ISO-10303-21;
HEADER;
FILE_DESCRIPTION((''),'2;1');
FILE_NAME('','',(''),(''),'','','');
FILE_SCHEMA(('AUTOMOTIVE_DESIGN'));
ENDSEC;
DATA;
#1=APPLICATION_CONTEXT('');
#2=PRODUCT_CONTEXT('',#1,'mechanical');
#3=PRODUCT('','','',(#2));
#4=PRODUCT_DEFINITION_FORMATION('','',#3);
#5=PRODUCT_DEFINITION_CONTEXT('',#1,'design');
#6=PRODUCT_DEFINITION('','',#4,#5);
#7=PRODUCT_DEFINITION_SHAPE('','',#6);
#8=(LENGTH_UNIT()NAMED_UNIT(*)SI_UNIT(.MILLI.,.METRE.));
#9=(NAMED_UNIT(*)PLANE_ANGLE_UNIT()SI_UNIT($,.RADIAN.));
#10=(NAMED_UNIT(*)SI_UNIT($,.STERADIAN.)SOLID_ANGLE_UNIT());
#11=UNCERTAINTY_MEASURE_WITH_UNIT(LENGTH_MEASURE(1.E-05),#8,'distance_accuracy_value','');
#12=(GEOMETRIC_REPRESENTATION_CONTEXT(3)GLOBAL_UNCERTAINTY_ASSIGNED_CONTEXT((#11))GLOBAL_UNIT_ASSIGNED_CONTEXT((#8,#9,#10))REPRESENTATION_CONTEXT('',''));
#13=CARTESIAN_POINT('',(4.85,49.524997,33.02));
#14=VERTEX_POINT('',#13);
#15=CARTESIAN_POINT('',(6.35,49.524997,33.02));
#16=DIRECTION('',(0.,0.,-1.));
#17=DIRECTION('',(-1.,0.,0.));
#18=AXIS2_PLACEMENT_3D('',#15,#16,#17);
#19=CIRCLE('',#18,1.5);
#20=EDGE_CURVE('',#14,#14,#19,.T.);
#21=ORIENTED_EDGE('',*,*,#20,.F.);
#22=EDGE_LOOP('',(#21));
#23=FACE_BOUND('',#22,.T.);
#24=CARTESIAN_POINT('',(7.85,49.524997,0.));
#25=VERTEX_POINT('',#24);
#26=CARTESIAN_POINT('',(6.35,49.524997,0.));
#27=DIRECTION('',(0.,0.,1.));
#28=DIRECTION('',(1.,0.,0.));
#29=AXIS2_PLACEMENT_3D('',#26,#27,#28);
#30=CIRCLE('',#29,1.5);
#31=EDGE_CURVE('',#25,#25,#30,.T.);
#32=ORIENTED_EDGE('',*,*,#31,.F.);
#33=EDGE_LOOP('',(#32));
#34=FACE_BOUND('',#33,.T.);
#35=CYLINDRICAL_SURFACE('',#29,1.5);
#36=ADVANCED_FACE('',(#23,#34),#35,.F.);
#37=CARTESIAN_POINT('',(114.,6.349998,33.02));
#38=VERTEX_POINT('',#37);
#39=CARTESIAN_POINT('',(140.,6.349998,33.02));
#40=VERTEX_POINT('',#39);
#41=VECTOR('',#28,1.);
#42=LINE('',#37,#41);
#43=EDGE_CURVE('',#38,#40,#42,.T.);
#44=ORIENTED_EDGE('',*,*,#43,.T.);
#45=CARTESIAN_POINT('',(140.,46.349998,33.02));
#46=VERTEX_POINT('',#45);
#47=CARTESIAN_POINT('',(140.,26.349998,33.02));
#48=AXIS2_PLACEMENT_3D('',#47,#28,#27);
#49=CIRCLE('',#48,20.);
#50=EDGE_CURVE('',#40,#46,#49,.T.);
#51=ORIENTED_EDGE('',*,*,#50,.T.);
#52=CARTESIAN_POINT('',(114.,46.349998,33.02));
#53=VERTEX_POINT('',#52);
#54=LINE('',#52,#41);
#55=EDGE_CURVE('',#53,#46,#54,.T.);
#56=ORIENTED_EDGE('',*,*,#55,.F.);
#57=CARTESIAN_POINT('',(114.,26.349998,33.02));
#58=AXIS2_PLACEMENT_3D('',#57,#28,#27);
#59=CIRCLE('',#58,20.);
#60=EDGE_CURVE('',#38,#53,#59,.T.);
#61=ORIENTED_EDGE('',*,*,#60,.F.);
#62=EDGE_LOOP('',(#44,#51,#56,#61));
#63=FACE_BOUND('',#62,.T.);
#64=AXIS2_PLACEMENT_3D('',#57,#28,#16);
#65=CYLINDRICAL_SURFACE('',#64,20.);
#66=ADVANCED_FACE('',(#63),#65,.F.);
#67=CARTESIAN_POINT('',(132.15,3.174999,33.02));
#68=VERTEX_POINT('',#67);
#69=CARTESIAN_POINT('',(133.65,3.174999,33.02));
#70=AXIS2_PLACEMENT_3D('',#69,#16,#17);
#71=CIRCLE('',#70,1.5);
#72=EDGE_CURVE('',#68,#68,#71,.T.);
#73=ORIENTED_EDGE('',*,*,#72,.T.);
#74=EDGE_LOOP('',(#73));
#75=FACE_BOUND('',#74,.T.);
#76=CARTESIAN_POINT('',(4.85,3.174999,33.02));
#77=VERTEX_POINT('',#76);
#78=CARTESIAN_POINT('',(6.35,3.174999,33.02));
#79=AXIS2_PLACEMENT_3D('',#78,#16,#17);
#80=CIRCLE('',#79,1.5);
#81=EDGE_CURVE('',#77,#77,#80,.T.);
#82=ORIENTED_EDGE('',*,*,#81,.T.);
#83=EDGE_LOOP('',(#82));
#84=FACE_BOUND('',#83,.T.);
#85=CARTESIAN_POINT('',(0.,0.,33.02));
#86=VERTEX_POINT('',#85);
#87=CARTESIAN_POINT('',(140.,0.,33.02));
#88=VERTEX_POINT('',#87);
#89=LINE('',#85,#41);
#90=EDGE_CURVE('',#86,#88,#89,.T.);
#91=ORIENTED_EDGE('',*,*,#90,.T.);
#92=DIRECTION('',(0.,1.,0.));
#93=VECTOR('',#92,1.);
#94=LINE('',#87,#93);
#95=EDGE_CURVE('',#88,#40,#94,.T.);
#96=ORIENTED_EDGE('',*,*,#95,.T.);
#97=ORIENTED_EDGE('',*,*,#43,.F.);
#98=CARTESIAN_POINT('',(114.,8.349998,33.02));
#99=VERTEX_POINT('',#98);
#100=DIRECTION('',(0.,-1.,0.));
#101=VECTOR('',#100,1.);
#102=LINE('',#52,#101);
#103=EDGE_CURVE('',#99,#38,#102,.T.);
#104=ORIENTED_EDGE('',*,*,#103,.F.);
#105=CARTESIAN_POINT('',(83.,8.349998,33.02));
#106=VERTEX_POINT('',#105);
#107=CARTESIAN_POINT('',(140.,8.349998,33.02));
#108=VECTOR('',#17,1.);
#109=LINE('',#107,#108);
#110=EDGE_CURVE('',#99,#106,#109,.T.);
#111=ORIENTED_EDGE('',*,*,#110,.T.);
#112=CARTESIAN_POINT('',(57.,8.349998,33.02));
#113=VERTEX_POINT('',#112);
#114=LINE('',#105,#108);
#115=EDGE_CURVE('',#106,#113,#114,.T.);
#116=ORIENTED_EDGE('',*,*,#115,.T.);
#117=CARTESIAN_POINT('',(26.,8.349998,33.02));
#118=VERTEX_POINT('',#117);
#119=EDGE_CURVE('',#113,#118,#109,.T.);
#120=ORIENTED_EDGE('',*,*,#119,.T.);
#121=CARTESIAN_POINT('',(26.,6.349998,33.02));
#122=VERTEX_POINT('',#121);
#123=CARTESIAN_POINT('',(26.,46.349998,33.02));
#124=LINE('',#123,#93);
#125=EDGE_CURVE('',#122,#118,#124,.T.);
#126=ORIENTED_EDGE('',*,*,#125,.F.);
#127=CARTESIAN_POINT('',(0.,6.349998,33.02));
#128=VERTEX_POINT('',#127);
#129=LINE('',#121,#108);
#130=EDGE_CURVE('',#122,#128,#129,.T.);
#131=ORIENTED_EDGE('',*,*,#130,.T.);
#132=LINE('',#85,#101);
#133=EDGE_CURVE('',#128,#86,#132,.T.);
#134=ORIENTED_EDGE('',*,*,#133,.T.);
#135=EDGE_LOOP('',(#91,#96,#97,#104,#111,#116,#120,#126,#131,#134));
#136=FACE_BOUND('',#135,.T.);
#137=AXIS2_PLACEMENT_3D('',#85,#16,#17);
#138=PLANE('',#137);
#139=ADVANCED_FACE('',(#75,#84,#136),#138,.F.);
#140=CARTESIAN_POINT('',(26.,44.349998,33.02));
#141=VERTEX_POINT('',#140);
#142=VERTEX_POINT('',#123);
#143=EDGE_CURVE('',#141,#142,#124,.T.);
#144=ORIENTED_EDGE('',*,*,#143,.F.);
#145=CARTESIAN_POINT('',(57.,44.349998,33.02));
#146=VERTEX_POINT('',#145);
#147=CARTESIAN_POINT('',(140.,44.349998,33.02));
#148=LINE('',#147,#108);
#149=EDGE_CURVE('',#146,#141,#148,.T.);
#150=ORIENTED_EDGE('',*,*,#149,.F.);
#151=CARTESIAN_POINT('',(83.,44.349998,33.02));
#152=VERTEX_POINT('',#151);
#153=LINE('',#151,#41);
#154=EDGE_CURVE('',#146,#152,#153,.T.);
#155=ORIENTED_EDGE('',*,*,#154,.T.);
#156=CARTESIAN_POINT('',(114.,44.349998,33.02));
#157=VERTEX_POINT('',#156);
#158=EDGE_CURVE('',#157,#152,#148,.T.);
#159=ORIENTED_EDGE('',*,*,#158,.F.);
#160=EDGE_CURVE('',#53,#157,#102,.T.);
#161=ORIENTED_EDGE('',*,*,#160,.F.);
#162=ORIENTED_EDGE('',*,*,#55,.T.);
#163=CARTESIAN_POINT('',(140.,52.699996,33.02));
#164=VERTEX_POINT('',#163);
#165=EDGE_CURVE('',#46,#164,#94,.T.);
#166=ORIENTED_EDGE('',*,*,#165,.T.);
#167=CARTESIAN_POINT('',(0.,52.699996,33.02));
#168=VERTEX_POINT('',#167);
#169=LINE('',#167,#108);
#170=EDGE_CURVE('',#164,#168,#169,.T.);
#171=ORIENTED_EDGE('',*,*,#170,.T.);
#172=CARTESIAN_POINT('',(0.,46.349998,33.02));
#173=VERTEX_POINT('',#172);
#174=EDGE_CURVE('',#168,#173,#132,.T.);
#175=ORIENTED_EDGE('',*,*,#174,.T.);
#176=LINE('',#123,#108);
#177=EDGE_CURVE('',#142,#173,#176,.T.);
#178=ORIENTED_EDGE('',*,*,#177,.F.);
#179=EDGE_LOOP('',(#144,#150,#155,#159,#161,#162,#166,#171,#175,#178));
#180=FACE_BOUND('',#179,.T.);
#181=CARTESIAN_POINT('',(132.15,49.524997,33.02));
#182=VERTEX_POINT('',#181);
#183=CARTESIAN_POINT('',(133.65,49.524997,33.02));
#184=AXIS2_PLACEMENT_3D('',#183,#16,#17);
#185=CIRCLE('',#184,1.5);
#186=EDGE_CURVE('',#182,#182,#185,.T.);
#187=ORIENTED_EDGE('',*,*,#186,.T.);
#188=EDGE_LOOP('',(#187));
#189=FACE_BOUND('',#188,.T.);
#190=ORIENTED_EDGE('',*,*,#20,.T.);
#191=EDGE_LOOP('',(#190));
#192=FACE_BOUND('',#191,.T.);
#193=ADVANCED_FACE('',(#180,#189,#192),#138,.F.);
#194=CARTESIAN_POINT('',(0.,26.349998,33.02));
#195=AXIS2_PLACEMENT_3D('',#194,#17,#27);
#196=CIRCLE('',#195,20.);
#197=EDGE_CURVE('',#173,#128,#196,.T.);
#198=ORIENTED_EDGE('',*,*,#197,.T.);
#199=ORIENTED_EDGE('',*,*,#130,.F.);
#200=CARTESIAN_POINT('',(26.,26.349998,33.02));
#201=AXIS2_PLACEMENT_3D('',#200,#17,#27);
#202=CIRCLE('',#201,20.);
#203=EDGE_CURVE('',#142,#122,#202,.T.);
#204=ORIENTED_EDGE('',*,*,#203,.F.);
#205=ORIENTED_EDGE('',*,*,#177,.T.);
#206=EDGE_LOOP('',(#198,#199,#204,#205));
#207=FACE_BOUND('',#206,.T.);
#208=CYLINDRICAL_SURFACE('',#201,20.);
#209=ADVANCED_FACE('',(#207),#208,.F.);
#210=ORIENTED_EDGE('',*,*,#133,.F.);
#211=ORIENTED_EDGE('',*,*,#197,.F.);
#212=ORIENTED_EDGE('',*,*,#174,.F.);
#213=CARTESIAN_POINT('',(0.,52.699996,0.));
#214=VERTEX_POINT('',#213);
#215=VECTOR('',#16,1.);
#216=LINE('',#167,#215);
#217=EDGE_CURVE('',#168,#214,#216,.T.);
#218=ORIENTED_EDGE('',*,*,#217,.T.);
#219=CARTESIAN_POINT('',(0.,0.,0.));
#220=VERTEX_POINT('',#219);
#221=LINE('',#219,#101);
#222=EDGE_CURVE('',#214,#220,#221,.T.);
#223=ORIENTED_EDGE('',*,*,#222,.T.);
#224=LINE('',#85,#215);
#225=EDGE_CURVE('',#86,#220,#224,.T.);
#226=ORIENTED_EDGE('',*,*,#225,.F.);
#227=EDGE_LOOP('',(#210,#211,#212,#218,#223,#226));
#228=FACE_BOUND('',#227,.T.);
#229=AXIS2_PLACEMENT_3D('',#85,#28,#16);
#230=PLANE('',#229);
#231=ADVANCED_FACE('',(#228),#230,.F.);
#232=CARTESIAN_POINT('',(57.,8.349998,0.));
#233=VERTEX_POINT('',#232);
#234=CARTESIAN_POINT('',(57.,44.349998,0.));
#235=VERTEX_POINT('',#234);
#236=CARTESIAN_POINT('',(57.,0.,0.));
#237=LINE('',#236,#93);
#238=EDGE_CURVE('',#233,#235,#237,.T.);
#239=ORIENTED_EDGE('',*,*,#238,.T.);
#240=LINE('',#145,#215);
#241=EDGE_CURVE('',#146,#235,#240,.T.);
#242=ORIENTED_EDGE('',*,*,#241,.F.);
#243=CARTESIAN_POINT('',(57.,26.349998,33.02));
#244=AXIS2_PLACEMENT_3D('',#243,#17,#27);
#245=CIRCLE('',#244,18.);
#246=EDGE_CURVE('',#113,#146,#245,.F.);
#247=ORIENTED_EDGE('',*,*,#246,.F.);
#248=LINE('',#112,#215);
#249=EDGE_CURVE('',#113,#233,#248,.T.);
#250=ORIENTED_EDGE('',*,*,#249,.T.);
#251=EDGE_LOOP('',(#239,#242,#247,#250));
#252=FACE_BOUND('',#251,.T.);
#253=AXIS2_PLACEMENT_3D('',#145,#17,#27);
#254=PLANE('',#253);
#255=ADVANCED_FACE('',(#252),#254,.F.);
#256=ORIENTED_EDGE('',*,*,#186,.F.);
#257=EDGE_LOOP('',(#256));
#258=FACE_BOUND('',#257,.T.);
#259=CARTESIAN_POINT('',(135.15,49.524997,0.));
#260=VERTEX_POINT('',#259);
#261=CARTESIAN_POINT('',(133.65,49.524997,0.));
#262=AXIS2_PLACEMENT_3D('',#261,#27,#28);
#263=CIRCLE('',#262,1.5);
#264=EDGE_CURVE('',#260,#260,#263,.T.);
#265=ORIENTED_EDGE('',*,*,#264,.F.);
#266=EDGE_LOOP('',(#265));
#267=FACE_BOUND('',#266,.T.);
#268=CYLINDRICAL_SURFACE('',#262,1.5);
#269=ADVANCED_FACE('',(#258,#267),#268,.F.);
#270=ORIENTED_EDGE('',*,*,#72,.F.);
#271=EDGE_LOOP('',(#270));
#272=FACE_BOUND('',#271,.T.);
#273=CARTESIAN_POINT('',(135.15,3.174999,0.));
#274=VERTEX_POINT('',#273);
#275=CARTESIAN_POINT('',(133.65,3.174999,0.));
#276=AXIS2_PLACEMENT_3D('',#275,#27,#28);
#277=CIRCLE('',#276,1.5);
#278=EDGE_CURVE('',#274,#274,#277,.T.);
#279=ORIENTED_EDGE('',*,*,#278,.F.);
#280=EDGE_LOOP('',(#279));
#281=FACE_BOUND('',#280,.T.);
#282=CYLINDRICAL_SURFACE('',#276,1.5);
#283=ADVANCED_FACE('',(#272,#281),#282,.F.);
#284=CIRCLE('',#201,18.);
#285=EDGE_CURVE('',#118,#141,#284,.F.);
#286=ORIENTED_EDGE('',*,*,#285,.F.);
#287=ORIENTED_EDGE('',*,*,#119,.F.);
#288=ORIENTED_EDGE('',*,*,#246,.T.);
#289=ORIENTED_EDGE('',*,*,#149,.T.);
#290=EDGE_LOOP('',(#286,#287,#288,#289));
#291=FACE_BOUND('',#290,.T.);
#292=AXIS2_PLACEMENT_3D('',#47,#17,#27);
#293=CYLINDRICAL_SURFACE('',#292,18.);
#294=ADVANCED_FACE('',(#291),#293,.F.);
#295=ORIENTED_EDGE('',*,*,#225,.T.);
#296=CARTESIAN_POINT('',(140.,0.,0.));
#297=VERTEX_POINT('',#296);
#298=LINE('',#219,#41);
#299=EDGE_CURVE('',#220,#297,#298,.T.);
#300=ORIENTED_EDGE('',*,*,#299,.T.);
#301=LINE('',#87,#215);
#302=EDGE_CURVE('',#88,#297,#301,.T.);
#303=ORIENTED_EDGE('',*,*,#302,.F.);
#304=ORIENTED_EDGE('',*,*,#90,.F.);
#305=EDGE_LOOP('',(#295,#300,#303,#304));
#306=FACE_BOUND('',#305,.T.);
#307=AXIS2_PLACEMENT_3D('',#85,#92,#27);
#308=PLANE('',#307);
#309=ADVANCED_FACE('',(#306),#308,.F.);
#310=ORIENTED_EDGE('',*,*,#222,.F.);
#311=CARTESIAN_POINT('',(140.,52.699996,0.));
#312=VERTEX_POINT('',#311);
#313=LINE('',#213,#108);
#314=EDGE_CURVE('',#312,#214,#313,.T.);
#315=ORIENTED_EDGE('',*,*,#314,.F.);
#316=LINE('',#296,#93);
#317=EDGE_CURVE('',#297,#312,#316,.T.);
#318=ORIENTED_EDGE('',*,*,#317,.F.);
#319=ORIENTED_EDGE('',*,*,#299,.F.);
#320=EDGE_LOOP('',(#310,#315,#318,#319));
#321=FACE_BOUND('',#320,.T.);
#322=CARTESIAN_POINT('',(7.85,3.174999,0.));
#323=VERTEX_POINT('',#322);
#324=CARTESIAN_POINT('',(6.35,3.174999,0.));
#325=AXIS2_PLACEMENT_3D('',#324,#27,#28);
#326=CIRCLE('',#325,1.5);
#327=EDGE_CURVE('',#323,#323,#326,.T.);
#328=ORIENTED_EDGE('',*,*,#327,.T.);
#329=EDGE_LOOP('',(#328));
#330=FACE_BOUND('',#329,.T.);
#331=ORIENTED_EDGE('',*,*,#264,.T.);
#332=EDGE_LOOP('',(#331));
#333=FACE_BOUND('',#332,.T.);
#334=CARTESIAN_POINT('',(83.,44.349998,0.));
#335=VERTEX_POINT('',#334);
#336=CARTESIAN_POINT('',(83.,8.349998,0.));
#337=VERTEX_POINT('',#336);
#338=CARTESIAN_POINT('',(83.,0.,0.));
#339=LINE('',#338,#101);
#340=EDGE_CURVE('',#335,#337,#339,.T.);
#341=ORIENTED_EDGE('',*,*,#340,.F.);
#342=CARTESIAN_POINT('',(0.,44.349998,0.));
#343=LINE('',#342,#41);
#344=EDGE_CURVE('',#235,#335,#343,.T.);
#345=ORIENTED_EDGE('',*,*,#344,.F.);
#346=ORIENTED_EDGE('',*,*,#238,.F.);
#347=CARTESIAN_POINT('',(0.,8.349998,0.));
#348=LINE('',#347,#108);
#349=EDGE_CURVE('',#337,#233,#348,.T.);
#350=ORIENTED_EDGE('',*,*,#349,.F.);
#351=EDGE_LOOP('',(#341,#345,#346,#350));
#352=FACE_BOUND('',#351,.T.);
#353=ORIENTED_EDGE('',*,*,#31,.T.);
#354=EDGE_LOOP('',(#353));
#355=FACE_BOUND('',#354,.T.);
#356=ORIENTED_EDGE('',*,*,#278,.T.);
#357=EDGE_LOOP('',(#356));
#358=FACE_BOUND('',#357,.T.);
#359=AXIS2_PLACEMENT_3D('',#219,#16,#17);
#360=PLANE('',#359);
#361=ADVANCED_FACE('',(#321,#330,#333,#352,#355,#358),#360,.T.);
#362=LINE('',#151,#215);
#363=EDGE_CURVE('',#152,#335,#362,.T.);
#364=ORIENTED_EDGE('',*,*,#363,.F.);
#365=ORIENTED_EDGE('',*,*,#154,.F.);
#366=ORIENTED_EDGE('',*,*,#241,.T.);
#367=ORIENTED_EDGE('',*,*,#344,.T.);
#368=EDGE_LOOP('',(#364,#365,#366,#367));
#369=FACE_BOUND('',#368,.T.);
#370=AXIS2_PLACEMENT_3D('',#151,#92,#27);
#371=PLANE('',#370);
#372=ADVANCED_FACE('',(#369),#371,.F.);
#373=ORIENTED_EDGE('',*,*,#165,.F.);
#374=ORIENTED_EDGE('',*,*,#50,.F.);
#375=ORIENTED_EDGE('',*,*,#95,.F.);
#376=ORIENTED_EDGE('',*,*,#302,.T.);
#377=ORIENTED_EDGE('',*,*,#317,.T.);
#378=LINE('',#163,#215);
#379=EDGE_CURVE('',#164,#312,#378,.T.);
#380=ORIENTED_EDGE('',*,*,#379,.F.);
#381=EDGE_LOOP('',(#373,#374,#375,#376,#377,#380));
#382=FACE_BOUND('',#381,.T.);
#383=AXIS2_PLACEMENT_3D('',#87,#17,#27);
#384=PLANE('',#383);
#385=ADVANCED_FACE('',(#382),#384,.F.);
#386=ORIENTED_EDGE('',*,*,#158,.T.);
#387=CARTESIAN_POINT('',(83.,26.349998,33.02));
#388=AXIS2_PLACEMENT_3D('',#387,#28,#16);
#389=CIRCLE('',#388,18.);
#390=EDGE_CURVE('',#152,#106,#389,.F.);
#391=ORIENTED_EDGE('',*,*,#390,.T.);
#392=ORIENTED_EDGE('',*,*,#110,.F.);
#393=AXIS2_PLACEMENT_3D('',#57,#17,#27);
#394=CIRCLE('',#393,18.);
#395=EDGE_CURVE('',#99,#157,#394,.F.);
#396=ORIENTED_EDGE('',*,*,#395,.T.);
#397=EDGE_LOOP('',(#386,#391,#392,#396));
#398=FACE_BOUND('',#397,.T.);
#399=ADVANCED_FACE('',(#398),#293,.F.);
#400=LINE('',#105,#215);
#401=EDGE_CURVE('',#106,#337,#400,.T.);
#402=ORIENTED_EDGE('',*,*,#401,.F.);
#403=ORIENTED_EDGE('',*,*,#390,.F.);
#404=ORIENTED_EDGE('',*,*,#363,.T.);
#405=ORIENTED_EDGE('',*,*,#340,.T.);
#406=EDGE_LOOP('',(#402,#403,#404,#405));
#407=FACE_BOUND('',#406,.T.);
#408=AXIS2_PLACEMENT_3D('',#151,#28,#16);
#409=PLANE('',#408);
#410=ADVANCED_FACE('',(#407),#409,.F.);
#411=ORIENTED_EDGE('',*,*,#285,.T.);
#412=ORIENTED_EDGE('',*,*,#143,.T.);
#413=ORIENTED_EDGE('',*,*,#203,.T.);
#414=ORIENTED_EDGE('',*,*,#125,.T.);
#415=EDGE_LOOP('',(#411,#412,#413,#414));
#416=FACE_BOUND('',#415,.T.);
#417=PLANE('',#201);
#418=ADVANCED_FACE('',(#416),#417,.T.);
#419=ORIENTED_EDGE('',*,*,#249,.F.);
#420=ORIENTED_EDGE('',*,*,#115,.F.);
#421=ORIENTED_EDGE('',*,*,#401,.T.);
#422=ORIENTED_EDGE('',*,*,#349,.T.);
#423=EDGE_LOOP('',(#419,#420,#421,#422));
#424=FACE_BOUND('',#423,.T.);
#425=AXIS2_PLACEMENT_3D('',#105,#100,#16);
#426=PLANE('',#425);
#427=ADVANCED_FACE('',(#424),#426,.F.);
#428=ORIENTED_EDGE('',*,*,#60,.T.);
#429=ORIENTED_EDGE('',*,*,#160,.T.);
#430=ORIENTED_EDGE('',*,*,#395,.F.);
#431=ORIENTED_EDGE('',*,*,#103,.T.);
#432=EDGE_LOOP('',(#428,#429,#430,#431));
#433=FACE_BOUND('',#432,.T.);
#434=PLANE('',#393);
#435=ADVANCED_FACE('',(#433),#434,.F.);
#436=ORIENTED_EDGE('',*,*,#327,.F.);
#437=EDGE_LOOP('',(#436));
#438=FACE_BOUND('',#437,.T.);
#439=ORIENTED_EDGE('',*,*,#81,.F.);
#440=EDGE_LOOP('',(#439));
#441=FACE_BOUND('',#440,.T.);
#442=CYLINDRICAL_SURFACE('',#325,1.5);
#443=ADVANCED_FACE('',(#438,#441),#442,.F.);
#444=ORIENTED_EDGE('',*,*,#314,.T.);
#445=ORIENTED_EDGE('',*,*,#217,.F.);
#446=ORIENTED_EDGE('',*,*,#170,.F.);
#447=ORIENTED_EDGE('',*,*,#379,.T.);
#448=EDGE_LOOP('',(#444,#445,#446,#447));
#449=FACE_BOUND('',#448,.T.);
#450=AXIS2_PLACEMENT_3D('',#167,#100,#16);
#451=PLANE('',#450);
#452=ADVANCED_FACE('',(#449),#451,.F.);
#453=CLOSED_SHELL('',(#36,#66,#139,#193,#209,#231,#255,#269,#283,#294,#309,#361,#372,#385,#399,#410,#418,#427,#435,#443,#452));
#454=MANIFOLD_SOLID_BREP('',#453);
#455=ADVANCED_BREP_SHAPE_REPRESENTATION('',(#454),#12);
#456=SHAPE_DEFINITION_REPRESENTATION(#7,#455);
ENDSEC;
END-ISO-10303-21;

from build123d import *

# Parameters (mm, degrees)
SKETCH1_W               = 139.999999908
SKETCH1_H               = 52.6999962
BOSS_EXTRUDE1_DEPTH     = 33.02
CUT_EXTRUDE1_DEPTH      = 154.191416123
CUT_EXTRUDE1_DEPTH_BACK = 154.191416123
CUT_EXTRUDE2_DEPTH      = 26
CUT_EXTRUDE3_START      = -26
CUT_EXTRUDE3_DEPTH      = 26
CUT_EXTRUDE4_DEPTH      = 154.191416123
CUT_EXTRUDE4_DEPTH_BACK = 154.191416123
SKETCH6_W               = 26
SKETCH6_H               = 36
CUT_EXTRUDE5_DEPTH      = 154.191416123
CUT_EXTRUDE5_DEPTH_BACK = 154.191416123
SKETCH7_R               = 1.500000048
SKETCH7_R_2             = 1.5


with BuildPart() as part:
    # Sketch1 → Boss-Extrude1 (new body)
    with BuildSketch(Plane.XY):
        with Locations((69.999999954, 26.3499981)):
            Rectangle(SKETCH1_W, SKETCH1_H)
    extrude(amount=BOSS_EXTRUDE1_DEPTH)

    # Sketch2 → Cut-Extrude1 (cut, two sides: drawn at the far end of the back side and taken through both)
    with BuildSketch(Plane.ZY.offset(-CUT_EXTRUDE1_DEPTH_BACK)):
        with BuildLine():
            Line((33.02, 44.3499981), (33.02, 8.3499981))
            ThreePointArc((33.02, 8.3499981), (15.02, 26.3499981), (33.02, 44.3499981))
        make_face()
    extrude(amount=CUT_EXTRUDE1_DEPTH + CUT_EXTRUDE1_DEPTH_BACK, mode=Mode.SUBTRACT)

    # Sketch3 → Cut-Extrude2 (cut)
    with BuildSketch(Plane.ZY):
        with BuildLine():
            Line((33.02, 46.3499981), (33.02, 6.3499981))
            ThreePointArc((33.02, 6.3499981), (13.02, 26.3499981), (33.02, 46.3499981))
        make_face()
    extrude(amount=-CUT_EXTRUDE2_DEPTH, mode=Mode.SUBTRACT)

    # Sketch5 → Cut-Extrude3 (cut)
    with BuildSketch(Plane(origin=(139.999999908, 0, 0), x_dir=(0, 0, -1), z_dir=(1, 0, 0)).offset(CUT_EXTRUDE3_START)):
        with BuildLine():
            Line((-33.02, 46.3499981), (-33.02, 6.3499981))
            ThreePointArc((-33.02, 6.3499981), (-13.02, 26.3499981), (-33.02, 46.3499981))
        make_face()
    extrude(amount=CUT_EXTRUDE3_DEPTH, mode=Mode.SUBTRACT)

    # Sketch6 → Cut-Extrude4 (cut, two sides: drawn at the far end of the back side and taken through both)
    with BuildSketch(Plane(origin=(0, 0, 0), x_dir=(-1, 0, 0), z_dir=(0, 0, -1)).offset(-CUT_EXTRUDE4_DEPTH_BACK)):
        with Locations((-69.999999954, 26.3499981)):
            Rectangle(SKETCH6_W, SKETCH6_H)
    extrude(amount=CUT_EXTRUDE4_DEPTH + CUT_EXTRUDE4_DEPTH_BACK, mode=Mode.SUBTRACT)

    # Sketch7 → Cut-Extrude5 (cut, two sides: drawn at the far end of the back side and taken through both)
    with BuildSketch(Plane.XY.offset(33.02).offset(-CUT_EXTRUDE5_DEPTH_BACK)):
        with Locations((6.35, 49.52499715)):
            Circle(SKETCH7_R)
        with Locations((6.35, 3.17499905)):
            Circle(SKETCH7_R_2)
        with Locations((133.649999908, 49.52499715)):
            Circle(SKETCH7_R_2)
        with Locations((133.649999908, 3.17499905)):
            Circle(SKETCH7_R_2)
    extrude(amount=CUT_EXTRUDE5_DEPTH + CUT_EXTRUDE5_DEPTH_BACK, mode=Mode.SUBTRACT)


solid = part.part
